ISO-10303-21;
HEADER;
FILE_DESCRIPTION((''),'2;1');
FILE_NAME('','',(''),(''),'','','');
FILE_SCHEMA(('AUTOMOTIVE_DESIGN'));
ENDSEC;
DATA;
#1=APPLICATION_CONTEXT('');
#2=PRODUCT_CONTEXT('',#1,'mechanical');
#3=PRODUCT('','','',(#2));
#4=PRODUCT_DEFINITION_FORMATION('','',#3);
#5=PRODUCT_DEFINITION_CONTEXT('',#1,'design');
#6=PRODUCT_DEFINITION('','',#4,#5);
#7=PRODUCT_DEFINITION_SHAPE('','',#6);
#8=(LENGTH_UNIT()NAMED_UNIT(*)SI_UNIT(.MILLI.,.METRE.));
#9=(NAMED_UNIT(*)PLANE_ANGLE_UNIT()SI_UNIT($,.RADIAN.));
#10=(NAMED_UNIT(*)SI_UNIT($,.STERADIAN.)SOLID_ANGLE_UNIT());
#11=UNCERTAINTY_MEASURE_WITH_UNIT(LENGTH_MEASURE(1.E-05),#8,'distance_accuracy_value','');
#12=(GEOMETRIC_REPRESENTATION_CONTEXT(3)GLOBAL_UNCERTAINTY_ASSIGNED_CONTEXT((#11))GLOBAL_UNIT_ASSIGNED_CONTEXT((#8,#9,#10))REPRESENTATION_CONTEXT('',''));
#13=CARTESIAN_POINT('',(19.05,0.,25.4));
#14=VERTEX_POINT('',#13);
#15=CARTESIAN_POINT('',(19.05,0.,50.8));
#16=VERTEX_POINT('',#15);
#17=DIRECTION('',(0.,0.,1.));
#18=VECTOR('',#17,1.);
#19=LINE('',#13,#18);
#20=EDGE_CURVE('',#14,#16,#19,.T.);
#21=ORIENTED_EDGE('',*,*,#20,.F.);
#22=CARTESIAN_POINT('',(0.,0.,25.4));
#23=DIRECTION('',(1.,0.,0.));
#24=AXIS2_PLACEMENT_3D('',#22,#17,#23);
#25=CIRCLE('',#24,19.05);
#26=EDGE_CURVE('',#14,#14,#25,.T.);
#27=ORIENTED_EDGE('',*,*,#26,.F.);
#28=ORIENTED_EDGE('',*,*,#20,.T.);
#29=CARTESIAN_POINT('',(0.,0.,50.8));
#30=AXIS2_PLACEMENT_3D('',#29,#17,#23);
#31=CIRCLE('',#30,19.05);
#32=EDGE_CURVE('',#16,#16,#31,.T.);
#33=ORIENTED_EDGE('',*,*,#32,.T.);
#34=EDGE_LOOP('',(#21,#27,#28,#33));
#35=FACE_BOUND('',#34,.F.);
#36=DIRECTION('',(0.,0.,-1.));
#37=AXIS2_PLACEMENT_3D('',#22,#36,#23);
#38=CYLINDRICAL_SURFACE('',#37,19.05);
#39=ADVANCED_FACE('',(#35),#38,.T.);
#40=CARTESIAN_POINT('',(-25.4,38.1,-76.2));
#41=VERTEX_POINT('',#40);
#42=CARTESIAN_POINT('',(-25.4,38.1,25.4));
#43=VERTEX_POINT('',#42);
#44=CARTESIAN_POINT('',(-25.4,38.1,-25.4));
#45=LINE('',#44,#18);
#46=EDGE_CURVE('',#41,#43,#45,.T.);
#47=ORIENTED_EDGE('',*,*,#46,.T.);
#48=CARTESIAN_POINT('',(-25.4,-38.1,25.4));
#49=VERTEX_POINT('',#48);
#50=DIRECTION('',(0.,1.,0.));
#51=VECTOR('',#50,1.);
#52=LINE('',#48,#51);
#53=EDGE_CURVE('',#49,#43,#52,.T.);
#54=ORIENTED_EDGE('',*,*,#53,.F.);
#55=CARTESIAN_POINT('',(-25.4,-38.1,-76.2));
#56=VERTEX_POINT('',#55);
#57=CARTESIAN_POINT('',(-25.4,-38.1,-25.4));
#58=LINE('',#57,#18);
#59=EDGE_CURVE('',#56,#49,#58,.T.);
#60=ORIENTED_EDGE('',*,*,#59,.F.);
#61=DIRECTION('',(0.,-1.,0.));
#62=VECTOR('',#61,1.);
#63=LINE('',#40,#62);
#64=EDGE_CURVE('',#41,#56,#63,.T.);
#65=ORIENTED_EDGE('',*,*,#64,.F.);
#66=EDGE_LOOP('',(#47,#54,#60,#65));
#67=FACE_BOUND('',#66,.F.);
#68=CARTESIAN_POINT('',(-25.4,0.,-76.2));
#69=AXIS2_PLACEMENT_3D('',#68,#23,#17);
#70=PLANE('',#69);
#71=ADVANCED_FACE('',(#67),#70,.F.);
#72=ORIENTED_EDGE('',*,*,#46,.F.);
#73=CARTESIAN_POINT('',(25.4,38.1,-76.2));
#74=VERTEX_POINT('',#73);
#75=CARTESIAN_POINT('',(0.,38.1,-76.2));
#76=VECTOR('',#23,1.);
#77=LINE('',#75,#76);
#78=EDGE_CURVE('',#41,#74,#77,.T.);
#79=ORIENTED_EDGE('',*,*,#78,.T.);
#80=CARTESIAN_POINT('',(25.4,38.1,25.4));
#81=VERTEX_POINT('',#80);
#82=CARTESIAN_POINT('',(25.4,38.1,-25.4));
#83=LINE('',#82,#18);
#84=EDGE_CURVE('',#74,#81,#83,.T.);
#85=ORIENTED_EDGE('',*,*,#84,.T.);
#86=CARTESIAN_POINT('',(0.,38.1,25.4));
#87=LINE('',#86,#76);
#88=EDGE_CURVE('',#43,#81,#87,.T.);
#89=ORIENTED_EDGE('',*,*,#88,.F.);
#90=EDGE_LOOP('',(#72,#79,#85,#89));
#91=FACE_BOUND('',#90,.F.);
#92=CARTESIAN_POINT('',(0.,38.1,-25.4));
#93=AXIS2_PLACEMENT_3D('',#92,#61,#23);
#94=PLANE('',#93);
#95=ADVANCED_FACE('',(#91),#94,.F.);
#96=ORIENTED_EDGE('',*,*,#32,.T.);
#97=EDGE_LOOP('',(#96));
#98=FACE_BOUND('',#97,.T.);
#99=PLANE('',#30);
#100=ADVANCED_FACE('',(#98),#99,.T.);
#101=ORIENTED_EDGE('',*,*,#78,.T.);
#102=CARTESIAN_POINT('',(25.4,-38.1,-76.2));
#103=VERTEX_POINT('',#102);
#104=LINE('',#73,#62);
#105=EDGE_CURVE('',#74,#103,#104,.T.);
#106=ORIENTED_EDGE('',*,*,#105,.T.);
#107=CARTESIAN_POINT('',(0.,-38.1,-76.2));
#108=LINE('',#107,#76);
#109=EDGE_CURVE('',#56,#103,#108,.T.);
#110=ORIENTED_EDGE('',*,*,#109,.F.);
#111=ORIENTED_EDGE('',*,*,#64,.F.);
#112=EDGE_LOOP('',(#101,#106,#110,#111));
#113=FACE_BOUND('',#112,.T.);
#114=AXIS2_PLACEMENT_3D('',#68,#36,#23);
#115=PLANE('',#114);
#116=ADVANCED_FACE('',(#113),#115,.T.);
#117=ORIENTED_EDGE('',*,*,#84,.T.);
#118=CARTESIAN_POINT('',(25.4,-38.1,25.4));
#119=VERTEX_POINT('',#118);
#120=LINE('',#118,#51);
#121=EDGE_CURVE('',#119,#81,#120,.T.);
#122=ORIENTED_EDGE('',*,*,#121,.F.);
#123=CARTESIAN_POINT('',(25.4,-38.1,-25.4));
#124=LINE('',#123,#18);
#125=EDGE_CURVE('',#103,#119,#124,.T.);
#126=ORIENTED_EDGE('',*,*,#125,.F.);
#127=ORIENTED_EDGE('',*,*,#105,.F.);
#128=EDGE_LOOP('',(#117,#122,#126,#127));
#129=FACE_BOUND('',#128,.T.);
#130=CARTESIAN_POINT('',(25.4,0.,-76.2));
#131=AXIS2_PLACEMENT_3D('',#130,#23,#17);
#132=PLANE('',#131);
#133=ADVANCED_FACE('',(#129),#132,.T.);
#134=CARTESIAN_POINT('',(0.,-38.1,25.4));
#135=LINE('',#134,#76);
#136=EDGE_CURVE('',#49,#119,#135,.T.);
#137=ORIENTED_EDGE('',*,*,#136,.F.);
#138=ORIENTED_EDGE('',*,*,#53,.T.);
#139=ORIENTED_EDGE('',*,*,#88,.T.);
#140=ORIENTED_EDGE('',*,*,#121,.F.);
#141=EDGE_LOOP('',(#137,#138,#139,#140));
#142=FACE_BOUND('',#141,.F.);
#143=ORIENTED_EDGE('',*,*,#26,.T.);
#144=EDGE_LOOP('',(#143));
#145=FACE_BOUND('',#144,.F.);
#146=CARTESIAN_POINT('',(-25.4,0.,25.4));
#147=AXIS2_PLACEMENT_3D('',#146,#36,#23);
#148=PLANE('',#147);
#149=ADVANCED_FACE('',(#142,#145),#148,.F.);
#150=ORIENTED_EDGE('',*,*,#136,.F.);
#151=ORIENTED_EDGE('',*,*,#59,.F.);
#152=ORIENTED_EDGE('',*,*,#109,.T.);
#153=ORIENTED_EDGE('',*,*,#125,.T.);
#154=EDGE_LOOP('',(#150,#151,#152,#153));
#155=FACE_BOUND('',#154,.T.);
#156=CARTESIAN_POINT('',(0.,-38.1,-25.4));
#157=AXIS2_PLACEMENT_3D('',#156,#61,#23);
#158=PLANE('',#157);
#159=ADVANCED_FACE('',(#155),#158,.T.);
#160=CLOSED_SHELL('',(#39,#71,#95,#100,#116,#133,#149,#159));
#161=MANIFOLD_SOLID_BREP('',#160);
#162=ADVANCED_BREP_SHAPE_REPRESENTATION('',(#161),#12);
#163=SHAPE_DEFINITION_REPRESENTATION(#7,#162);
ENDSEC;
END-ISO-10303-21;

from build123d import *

# Parameters (mm, degrees)
F0_W     = 50.8
F0_H     = 101.6
F1_DEPTH = 38.1
F2_R     = 19.05
F3_DEPTH = 25.4


with BuildPart() as f1:
    # F0 (on Front) → F1 (new body, symmetric)
    with BuildSketch(Plane.XZ):
        with Locations((0, -25.4)):
            Rectangle(F0_W, F0_H)
    extrude(amount=F1_DEPTH, both=True)

    # F2 (on face) → F3 (join)
    with BuildSketch(Plane.XY.offset(25.4)):
        Circle(F2_R)
    extrude(amount=F3_DEPTH)


solid = f1.part
